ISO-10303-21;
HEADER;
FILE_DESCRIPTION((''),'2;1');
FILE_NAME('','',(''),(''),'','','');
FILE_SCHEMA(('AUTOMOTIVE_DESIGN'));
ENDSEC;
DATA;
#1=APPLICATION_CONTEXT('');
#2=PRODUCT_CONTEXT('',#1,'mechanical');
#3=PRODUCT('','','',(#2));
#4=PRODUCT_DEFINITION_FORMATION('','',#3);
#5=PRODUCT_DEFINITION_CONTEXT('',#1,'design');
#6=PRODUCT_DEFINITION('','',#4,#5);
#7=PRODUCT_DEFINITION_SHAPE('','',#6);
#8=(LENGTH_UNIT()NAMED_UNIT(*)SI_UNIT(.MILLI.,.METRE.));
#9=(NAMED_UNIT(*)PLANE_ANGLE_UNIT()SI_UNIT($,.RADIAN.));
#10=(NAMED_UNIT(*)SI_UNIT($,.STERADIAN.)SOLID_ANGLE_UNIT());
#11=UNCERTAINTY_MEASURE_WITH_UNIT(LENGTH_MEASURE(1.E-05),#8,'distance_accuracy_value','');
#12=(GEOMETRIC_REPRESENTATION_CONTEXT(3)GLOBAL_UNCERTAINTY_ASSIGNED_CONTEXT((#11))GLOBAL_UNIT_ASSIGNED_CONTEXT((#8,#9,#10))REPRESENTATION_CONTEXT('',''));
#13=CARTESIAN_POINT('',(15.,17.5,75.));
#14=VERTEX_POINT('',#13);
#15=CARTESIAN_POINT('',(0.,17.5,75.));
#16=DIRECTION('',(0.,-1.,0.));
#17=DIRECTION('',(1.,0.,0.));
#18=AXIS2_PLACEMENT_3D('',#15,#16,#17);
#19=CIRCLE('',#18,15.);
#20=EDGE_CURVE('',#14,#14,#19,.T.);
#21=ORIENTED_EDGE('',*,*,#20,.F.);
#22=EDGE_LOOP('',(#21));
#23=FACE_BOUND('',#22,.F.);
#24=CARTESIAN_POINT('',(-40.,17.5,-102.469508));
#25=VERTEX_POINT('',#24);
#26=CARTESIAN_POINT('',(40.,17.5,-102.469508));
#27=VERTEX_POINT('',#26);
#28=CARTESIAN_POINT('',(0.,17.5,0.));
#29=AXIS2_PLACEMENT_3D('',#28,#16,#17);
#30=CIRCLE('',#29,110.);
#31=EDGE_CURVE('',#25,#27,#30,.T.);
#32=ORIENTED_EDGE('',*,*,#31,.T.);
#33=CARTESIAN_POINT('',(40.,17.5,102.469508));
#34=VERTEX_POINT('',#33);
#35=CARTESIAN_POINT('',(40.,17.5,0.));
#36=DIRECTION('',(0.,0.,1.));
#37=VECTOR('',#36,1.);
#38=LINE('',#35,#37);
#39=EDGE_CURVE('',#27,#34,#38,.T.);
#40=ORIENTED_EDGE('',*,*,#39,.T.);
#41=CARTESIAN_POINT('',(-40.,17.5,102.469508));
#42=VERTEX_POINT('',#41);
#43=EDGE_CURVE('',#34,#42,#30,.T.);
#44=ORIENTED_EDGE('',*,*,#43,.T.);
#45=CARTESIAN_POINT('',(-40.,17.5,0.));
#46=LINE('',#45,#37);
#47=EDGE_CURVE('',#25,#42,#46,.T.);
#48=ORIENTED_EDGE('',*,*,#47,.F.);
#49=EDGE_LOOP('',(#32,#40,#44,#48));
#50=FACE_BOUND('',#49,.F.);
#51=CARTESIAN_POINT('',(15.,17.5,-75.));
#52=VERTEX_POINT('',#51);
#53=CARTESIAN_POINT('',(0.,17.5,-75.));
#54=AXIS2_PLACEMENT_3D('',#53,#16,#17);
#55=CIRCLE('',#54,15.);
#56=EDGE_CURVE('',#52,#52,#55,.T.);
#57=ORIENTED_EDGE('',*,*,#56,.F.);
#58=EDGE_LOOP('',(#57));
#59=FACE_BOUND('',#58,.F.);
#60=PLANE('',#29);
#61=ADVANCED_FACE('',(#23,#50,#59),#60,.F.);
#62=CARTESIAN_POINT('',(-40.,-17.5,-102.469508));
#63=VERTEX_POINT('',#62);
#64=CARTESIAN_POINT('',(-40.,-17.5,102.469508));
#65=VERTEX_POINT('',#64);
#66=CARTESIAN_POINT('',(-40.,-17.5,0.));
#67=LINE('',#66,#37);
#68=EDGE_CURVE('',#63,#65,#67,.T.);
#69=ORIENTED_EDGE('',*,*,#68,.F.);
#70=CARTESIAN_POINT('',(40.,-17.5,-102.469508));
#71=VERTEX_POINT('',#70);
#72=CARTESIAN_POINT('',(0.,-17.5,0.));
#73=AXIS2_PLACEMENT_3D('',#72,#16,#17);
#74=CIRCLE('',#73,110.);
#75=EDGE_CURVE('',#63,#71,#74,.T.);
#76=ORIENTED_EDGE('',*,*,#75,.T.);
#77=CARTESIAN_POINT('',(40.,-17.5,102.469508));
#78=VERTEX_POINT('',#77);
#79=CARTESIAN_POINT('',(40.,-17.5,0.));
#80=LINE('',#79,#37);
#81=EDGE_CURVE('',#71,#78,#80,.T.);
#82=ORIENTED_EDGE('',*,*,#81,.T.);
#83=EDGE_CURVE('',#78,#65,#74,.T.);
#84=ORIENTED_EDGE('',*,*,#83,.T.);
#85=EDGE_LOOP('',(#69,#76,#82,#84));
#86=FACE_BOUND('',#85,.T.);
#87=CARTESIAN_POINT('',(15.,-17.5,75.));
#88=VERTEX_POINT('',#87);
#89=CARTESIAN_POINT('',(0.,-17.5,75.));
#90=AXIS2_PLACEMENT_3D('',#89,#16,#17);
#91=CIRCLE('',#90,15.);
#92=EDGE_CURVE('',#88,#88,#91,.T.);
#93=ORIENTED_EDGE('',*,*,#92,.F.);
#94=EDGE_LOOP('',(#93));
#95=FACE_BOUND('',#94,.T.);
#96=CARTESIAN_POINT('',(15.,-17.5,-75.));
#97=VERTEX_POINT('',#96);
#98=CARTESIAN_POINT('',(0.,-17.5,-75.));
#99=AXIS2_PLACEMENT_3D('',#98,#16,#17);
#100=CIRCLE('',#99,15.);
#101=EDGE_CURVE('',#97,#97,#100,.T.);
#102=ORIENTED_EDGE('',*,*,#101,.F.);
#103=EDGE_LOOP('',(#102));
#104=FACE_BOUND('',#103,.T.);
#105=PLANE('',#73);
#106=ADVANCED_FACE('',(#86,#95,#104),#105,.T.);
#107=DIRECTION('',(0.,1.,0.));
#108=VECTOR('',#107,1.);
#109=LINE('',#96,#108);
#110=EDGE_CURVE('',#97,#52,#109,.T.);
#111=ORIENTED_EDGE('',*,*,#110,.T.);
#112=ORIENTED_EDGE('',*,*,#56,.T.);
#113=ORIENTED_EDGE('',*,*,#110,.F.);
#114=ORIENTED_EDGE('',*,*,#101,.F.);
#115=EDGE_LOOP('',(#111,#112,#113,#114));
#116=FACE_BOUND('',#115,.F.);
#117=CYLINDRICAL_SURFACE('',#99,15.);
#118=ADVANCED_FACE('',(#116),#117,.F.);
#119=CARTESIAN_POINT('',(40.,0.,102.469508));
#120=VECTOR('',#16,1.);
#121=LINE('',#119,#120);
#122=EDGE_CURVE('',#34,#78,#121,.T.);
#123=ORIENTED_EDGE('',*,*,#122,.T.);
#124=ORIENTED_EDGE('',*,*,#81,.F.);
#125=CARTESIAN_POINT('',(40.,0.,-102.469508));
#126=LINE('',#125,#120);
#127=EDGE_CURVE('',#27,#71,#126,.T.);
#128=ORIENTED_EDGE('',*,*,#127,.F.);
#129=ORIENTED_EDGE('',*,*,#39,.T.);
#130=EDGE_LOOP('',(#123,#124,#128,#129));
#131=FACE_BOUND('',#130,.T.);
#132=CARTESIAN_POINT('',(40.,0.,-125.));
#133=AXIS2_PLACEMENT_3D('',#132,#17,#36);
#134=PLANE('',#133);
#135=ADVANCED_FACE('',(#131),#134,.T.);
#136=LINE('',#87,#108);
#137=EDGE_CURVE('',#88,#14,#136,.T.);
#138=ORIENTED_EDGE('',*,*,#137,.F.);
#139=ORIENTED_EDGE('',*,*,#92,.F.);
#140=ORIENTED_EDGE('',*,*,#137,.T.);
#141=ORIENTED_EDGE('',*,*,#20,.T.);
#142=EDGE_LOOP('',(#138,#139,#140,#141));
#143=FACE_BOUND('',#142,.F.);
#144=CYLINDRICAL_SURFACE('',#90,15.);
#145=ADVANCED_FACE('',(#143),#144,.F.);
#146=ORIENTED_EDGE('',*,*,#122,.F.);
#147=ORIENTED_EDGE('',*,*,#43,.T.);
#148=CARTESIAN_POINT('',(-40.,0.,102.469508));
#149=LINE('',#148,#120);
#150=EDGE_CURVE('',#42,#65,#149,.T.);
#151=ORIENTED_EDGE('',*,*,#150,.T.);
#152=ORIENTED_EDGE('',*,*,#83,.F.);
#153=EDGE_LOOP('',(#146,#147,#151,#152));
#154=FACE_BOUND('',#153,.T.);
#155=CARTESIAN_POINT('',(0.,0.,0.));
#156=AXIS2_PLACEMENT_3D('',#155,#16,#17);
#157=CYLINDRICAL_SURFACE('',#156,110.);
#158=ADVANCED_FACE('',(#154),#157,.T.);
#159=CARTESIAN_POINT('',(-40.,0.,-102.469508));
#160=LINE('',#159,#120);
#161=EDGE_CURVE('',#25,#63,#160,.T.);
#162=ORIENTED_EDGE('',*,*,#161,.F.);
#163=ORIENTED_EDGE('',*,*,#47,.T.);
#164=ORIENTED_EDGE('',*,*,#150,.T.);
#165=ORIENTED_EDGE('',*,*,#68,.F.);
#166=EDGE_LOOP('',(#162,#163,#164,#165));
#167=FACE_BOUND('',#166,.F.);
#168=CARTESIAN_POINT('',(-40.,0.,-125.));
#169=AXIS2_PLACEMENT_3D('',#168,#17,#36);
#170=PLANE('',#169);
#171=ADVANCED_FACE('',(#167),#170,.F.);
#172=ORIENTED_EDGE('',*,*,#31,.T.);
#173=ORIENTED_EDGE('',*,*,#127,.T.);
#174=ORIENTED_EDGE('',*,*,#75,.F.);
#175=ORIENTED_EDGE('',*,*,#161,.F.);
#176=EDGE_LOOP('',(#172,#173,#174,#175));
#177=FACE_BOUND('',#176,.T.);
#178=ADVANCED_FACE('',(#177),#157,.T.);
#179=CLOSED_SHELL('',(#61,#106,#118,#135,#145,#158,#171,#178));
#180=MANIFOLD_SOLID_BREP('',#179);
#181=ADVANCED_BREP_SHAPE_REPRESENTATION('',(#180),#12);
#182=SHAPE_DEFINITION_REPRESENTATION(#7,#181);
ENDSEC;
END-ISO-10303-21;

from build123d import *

# Parameters (mm, degrees)
SKETCH001_R  = 110
PAD001_DEPTH = 20
SKETCH_W     = 80
SKETCH_H     = 250
PAD_DEPTH    = 17.5
SKETCH002_R  = 15
POCKET_DEPTH = 35.001


with BuildPart() as pad001:
    # Sketch001 → Pad001 (new body, symmetric)
    with BuildSketch(Plane.XZ):
        Circle(SKETCH001_R)
    extrude(amount=PAD001_DEPTH, both=True)


with BuildPart() as pocket:
    # Sketch → Pad (new body, symmetric)
    with BuildSketch(Plane.XZ):
        Rectangle(SKETCH_W, SKETCH_H)
    extrude(amount=PAD_DEPTH, both=True)

    # Common: intersect Pad001
    add(pad001.part, mode=Mode.INTERSECT)

    # Sketch002 → Pocket (cut, through all)
    with BuildSketch(Plane.XZ.offset(17.5)):
        with Locations((0, 75)):
            Circle(SKETCH002_R)
        with Locations((0, -75)):
            Circle(SKETCH002_R)
    extrude(amount=-POCKET_DEPTH, mode=Mode.SUBTRACT)


solid = pocket.part
